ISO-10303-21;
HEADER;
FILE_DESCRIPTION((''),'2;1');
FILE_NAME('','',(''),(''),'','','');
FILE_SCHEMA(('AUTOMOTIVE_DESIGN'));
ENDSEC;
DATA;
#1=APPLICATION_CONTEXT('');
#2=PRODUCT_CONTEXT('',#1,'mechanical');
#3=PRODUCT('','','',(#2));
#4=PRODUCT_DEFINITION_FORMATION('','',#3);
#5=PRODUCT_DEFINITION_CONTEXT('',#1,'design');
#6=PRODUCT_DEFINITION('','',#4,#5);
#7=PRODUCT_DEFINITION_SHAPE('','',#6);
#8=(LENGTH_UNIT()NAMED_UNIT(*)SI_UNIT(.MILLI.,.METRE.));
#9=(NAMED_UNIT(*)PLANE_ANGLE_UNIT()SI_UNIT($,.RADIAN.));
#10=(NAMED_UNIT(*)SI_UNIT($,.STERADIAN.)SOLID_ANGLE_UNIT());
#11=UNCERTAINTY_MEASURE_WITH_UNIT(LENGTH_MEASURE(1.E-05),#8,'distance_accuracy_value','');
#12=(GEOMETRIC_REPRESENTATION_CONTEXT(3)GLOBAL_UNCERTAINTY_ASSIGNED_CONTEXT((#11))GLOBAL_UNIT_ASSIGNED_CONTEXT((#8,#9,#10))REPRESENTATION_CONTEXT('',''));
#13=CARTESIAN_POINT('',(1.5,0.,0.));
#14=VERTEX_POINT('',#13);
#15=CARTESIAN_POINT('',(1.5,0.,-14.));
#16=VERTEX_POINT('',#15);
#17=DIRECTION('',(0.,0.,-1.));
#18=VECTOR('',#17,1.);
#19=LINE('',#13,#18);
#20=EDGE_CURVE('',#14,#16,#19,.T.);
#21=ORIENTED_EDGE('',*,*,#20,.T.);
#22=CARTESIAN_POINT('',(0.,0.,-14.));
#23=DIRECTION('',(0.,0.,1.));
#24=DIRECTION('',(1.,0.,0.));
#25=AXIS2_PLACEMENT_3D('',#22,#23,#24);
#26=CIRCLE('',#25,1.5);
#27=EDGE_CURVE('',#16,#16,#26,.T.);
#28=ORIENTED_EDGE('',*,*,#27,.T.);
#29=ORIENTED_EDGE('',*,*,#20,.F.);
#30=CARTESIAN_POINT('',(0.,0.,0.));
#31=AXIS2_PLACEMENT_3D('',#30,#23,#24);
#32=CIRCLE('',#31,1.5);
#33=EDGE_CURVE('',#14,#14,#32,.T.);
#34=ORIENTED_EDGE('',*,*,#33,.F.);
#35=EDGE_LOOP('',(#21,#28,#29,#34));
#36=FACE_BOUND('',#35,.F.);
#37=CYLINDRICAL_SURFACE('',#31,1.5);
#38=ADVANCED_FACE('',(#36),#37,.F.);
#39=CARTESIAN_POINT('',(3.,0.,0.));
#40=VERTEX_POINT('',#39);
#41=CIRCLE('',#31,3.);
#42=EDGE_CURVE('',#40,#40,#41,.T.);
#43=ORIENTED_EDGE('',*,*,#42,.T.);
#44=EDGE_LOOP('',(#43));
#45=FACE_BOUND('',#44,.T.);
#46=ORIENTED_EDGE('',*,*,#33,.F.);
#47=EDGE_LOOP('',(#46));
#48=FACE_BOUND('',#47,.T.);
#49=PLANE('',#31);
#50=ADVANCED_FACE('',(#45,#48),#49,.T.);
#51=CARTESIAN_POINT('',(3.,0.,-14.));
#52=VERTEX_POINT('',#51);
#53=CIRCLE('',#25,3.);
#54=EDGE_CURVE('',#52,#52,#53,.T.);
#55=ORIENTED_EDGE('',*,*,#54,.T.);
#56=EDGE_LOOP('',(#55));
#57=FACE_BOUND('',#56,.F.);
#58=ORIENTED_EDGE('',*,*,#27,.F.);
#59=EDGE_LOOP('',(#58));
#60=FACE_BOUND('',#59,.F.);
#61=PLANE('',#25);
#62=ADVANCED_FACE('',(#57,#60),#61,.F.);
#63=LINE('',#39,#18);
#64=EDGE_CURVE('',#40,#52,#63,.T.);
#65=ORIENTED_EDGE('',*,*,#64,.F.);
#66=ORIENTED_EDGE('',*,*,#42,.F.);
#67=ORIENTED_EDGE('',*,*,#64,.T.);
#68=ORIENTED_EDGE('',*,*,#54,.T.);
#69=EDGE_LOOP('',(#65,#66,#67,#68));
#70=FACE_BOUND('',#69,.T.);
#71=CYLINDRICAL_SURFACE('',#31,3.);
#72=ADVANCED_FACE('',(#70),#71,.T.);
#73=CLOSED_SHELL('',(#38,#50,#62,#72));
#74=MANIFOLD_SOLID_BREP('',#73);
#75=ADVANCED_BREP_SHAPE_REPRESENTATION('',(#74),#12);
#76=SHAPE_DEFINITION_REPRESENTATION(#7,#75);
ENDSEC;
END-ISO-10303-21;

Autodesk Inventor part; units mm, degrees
ref_plane "YZ Plane" through (0, 0, 0) normal (1, 0, 0) x (0, 1, 0)
ref_plane "XZ Plane" through (0, 0, 0) normal (0, 1, 0) x (-1, 0, 0)
ref_plane "XY Plane" through (0, 0, 0) normal (0, 0, 1) x (1, 0, 0)
sketch "Sketch1" plane through (0, 0, 0) normal (0, 0, 1) x (1, 0, 0)
  circle A0 centre (0, 0) radius 1.5
  circle A1 centre (0, 0) radius 3
  dimension "d0" = 3
  dimension "d1" = 6
extrude "Extrusion1" add sketch "Sketch1" against normal blind 14
properties part number "l14" material "Aluminum 2014-T6"
